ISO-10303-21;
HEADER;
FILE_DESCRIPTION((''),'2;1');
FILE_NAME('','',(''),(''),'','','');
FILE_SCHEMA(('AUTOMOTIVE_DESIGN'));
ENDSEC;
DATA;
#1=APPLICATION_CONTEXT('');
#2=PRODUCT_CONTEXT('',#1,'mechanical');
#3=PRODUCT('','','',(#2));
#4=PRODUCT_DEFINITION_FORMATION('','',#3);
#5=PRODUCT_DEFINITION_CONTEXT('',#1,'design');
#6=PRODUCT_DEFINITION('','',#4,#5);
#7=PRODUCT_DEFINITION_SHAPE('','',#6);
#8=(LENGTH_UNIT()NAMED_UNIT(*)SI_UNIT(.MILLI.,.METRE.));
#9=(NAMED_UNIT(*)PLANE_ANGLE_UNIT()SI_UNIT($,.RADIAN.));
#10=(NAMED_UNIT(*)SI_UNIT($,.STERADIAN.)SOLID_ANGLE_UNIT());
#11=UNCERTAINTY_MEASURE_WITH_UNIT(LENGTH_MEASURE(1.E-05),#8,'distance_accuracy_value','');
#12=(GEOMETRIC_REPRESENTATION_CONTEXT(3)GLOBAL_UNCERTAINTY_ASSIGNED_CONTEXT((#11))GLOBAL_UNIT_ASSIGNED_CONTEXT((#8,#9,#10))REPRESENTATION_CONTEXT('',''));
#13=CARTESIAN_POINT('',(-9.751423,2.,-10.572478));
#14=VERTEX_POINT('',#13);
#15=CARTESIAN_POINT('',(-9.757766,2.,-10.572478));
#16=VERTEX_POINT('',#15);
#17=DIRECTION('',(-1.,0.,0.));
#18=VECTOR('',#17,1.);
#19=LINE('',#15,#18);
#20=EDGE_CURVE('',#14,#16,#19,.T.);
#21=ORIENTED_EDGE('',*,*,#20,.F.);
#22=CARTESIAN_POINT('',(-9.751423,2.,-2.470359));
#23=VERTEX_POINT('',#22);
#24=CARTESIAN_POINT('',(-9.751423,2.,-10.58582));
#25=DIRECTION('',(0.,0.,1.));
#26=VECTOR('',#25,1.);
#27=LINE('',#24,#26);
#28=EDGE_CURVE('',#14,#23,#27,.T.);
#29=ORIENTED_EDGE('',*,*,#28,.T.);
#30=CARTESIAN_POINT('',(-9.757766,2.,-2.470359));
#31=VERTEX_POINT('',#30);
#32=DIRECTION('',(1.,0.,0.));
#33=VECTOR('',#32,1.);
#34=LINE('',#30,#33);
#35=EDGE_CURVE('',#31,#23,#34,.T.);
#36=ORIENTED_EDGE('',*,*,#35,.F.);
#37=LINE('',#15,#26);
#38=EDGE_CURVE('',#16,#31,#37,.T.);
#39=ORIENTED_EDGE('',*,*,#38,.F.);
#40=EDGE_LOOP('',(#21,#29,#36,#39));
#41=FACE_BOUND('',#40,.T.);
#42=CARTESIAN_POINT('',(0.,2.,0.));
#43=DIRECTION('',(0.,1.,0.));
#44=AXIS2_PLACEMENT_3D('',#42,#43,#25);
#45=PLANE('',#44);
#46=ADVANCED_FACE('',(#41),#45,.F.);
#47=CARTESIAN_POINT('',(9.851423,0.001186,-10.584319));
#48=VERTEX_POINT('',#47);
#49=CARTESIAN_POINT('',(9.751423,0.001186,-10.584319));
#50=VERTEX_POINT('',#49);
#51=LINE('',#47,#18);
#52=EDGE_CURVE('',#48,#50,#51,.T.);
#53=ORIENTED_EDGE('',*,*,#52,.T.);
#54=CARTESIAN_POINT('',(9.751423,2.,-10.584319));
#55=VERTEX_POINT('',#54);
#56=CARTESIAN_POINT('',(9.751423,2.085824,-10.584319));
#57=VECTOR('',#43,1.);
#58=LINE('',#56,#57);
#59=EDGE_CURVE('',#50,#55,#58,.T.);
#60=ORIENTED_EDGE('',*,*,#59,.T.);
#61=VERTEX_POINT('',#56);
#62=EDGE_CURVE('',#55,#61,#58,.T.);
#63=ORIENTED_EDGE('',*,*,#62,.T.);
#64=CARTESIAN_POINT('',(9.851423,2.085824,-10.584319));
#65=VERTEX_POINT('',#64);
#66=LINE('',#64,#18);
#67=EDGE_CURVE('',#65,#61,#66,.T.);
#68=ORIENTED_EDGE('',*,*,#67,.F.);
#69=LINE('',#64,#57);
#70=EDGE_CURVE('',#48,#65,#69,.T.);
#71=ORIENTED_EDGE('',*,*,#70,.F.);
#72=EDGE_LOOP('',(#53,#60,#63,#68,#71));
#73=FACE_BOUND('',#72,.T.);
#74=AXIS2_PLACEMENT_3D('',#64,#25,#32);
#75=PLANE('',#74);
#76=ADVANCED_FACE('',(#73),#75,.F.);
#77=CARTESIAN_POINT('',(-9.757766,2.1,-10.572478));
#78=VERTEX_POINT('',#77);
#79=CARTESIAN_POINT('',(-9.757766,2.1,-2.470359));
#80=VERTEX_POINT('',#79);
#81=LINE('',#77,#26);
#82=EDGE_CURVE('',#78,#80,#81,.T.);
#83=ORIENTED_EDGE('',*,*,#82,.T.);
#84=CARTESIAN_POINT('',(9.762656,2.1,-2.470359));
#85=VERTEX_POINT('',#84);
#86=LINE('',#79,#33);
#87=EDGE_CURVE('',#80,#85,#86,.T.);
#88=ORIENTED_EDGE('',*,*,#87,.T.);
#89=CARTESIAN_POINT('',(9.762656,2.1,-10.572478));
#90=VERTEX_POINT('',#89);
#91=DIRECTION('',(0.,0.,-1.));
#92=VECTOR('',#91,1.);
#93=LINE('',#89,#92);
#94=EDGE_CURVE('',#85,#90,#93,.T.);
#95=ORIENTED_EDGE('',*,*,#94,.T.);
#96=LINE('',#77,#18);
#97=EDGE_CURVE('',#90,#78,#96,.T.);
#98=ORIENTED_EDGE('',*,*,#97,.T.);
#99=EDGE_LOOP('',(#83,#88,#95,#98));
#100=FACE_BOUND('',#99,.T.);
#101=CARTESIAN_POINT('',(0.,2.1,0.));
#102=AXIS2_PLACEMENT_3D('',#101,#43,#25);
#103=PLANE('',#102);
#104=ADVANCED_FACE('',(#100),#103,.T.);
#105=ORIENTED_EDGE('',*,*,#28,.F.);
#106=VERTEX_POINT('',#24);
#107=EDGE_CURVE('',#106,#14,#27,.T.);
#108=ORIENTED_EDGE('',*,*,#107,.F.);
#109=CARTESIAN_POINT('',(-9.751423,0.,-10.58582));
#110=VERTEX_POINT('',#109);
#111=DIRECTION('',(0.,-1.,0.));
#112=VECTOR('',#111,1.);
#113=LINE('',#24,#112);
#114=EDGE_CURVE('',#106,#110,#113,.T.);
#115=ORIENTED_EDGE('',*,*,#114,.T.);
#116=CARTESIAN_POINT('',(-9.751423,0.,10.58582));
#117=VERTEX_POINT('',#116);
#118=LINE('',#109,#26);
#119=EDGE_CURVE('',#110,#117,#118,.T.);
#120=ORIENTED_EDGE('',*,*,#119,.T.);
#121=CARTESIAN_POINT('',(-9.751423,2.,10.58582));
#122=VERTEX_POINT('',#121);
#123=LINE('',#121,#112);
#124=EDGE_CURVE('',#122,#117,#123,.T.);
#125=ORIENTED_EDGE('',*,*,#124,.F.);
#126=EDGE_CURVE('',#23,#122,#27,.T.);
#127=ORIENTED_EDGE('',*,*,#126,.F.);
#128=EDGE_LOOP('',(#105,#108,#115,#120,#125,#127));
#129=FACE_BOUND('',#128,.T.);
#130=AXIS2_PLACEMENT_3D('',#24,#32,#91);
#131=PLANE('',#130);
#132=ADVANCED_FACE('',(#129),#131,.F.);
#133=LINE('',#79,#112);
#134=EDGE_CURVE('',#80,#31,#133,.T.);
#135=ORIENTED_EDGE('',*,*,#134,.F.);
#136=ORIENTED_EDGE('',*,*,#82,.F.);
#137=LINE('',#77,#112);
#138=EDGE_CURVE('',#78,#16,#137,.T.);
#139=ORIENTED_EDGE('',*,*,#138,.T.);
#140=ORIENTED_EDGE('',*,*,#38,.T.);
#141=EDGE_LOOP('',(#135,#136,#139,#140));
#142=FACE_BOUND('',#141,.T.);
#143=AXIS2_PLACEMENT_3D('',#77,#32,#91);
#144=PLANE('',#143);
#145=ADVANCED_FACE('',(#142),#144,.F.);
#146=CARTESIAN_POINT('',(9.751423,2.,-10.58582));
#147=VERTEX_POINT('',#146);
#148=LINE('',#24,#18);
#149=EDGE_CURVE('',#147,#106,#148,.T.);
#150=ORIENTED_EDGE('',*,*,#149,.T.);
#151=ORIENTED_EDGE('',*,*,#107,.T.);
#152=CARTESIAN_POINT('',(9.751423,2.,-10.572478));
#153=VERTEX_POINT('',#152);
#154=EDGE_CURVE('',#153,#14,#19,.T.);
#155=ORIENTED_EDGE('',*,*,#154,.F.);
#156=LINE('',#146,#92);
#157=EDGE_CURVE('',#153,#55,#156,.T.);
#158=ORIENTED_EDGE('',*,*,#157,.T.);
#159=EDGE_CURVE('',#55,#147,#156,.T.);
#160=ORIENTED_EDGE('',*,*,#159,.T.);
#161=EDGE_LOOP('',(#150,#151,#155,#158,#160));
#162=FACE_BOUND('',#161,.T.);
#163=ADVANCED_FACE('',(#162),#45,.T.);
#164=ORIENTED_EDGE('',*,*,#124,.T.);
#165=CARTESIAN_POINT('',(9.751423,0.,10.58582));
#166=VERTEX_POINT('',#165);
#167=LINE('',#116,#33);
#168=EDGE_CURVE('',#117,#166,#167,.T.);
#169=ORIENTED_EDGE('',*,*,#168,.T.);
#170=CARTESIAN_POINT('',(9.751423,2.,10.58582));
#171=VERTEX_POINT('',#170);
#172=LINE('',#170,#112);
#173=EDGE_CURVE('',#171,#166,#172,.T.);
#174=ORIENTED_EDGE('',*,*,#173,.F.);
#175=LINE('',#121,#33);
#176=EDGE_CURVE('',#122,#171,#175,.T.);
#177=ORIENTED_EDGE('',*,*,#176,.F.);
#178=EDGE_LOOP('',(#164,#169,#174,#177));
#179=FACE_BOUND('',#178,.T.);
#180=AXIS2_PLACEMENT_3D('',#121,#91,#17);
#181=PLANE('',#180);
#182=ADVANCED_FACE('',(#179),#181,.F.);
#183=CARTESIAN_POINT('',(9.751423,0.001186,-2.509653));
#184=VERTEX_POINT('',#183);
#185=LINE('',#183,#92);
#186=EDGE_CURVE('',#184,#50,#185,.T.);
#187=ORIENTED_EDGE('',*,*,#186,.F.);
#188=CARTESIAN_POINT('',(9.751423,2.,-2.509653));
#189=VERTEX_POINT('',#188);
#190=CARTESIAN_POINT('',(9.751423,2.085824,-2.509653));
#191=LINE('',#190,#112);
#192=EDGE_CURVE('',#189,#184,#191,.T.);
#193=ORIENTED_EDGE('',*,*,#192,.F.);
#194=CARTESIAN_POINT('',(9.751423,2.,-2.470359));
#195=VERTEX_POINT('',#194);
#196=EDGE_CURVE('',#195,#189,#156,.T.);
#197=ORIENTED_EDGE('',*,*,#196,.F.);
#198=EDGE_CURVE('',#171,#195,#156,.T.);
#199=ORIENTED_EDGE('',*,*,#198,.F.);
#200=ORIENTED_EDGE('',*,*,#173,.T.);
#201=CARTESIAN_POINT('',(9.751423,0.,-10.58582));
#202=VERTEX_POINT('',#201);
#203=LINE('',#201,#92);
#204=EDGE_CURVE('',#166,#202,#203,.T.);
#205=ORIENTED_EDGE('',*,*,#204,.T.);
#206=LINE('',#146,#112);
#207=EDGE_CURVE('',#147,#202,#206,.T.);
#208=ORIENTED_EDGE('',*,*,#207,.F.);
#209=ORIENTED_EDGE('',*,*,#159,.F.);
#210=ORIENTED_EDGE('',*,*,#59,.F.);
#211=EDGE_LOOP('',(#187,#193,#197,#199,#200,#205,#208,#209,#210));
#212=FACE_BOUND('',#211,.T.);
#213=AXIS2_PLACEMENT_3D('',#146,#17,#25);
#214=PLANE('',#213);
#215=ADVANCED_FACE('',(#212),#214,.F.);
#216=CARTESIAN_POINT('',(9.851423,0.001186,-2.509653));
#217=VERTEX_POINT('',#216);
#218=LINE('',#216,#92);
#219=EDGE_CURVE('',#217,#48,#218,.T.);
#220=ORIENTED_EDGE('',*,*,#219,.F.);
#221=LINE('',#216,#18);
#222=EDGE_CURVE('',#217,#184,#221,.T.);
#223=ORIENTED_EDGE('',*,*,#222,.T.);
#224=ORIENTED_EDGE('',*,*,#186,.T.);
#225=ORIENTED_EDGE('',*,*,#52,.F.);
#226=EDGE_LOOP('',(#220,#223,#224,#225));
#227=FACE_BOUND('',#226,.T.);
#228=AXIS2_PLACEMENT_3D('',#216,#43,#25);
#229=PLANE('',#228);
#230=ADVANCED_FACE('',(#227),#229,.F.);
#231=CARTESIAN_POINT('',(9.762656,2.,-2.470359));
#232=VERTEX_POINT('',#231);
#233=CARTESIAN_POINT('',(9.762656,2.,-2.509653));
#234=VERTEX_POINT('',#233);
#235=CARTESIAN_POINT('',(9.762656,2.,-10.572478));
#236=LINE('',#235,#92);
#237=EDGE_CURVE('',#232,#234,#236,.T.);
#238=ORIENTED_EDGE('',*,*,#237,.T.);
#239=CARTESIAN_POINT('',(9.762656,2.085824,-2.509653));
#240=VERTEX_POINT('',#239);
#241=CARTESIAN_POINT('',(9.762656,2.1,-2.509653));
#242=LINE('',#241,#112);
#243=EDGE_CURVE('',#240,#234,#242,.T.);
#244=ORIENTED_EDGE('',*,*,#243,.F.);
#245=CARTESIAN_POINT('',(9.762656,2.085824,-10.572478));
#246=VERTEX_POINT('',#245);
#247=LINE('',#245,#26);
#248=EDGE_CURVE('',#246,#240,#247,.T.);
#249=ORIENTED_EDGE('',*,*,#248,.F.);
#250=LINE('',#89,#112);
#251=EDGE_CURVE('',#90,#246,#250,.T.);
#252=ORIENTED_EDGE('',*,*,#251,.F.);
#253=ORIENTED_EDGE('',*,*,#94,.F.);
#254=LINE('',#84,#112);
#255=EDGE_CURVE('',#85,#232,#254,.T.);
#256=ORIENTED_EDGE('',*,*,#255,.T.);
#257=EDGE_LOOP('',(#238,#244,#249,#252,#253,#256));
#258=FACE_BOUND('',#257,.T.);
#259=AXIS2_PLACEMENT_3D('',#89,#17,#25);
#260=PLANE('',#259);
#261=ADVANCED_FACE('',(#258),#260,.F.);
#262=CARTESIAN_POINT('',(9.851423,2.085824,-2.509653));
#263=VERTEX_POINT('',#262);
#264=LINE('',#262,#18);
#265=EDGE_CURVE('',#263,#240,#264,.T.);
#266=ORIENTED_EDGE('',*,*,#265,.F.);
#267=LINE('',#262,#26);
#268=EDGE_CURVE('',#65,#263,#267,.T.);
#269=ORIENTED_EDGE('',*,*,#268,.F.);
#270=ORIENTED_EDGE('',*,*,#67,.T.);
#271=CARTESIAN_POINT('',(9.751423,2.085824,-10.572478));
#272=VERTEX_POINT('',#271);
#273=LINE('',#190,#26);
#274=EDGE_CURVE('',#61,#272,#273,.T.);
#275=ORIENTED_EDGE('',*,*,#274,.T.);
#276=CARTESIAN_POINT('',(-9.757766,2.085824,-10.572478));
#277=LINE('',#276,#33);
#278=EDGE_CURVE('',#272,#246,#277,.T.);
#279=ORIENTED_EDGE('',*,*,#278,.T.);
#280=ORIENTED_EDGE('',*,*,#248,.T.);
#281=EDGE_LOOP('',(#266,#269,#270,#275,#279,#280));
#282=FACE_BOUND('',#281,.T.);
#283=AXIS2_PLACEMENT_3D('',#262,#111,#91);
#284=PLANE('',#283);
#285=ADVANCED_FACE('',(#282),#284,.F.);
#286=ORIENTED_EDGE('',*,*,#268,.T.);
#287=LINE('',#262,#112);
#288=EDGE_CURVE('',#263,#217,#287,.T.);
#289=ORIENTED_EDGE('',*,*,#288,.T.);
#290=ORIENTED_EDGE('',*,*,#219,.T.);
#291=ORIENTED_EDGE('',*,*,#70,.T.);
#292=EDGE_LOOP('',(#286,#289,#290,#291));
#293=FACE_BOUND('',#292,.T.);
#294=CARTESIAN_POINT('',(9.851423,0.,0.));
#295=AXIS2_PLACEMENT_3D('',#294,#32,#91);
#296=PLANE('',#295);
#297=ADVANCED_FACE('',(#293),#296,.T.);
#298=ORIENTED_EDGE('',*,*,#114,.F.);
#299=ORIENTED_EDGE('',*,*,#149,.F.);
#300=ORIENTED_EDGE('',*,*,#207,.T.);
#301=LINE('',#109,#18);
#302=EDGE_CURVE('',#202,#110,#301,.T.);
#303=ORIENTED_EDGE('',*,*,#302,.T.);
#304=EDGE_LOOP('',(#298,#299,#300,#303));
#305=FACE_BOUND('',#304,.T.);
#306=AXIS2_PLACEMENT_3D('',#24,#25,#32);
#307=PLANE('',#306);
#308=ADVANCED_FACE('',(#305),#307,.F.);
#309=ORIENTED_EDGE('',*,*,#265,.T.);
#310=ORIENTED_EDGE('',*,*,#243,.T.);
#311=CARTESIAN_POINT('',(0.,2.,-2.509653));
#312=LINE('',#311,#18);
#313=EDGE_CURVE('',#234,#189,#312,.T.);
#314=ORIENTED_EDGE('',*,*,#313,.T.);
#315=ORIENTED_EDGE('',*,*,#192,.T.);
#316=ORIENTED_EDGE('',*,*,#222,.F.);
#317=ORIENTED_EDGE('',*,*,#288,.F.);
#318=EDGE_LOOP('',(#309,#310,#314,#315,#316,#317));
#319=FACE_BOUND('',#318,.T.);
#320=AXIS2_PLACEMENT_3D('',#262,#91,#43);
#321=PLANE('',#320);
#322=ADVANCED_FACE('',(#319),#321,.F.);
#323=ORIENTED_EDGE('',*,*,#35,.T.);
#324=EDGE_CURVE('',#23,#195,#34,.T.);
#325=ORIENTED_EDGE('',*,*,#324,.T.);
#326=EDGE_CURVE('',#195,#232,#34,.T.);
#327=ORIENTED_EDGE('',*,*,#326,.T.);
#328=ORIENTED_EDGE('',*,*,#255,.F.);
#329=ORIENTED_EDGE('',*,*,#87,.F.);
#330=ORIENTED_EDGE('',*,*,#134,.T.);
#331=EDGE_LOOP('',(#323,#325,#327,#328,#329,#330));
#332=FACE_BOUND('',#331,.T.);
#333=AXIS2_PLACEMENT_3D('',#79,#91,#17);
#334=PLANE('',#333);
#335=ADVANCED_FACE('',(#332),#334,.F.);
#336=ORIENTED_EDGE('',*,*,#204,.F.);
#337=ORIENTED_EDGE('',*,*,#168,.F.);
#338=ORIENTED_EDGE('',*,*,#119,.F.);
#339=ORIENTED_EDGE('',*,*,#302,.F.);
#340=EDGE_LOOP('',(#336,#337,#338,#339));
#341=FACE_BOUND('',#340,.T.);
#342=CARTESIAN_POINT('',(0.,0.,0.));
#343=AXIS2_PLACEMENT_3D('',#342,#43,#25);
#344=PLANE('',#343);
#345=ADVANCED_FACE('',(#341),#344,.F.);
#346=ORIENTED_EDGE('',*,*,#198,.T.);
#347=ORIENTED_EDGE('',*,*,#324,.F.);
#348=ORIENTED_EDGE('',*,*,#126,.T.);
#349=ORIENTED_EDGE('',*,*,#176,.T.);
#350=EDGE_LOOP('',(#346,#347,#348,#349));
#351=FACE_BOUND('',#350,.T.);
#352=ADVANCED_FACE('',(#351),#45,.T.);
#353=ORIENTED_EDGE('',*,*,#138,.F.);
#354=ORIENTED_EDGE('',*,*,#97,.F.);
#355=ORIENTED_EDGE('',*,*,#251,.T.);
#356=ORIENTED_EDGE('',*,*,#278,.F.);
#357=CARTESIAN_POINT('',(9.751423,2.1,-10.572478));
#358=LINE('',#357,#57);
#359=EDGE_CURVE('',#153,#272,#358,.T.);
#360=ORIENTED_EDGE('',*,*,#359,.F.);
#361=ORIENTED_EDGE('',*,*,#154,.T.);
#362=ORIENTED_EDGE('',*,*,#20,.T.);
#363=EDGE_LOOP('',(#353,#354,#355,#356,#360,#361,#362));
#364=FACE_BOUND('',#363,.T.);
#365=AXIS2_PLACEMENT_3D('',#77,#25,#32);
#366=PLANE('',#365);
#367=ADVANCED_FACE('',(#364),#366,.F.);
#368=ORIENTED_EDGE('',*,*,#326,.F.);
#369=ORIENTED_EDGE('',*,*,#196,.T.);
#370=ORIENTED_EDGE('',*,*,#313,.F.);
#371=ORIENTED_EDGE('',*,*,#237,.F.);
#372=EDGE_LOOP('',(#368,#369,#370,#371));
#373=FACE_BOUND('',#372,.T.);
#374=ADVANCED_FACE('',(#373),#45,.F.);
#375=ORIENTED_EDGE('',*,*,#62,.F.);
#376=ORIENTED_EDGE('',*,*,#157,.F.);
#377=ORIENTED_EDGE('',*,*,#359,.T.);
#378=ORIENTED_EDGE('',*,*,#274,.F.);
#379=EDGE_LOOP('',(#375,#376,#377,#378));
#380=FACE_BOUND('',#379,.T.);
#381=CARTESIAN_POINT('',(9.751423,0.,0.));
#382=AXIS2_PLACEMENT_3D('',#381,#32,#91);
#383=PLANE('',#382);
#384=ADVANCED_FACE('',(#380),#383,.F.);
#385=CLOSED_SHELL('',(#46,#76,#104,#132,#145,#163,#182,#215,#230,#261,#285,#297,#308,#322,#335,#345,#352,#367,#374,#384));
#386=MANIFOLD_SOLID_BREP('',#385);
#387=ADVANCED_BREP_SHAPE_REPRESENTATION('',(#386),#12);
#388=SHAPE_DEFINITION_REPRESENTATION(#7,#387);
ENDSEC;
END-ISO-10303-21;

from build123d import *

# Parameters (mm, degrees)
SKETCH1_W           = 19.502846838
SKETCH1_H           = 21.171639364
BOSS_EXTRUDE1_DEPTH = 2
SKETCH2_W           = 19.520422618
SKETCH2_H           = 8.102119128
BOSS_EXTRUDE2_DEPTH = 0.1
SKETCH3_W           = 8.074665446
SKETCH3_H           = 2.084637803
BOSS_EXTRUDE3_DEPTH = 0.1


with BuildPart() as part:
    # Sketch1 → Boss-Extrude1 (new body)
    with BuildSketch(Plane(origin=(0, 0, 0), x_dir=(1, 0, 0), z_dir=(0, 1, 0))):
        Rectangle(SKETCH1_W, SKETCH1_H)
    extrude(amount=BOSS_EXTRUDE1_DEPTH)

    # Sketch2 → Boss-Extrude2 (add)
    with BuildSketch(Plane(origin=(0, 2, 0), x_dir=(1, 0, 0), z_dir=(0, 1, 0))):
        with Locations((0.002445022, 6.52141887)):
            Rectangle(SKETCH2_W, SKETCH2_H)
    extrude(amount=BOSS_EXTRUDE2_DEPTH)

    # Sketch3 → Boss-Extrude3 (add)
    with BuildSketch(Plane(origin=(9.751423419, 0, 0), x_dir=(0, 0, -1), z_dir=(1, 0, 0))):
        with Locations((6.546986064, 1.043505293)):
            Rectangle(SKETCH3_W, SKETCH3_H)
    extrude(amount=BOSS_EXTRUDE3_DEPTH)


solid = part.part
